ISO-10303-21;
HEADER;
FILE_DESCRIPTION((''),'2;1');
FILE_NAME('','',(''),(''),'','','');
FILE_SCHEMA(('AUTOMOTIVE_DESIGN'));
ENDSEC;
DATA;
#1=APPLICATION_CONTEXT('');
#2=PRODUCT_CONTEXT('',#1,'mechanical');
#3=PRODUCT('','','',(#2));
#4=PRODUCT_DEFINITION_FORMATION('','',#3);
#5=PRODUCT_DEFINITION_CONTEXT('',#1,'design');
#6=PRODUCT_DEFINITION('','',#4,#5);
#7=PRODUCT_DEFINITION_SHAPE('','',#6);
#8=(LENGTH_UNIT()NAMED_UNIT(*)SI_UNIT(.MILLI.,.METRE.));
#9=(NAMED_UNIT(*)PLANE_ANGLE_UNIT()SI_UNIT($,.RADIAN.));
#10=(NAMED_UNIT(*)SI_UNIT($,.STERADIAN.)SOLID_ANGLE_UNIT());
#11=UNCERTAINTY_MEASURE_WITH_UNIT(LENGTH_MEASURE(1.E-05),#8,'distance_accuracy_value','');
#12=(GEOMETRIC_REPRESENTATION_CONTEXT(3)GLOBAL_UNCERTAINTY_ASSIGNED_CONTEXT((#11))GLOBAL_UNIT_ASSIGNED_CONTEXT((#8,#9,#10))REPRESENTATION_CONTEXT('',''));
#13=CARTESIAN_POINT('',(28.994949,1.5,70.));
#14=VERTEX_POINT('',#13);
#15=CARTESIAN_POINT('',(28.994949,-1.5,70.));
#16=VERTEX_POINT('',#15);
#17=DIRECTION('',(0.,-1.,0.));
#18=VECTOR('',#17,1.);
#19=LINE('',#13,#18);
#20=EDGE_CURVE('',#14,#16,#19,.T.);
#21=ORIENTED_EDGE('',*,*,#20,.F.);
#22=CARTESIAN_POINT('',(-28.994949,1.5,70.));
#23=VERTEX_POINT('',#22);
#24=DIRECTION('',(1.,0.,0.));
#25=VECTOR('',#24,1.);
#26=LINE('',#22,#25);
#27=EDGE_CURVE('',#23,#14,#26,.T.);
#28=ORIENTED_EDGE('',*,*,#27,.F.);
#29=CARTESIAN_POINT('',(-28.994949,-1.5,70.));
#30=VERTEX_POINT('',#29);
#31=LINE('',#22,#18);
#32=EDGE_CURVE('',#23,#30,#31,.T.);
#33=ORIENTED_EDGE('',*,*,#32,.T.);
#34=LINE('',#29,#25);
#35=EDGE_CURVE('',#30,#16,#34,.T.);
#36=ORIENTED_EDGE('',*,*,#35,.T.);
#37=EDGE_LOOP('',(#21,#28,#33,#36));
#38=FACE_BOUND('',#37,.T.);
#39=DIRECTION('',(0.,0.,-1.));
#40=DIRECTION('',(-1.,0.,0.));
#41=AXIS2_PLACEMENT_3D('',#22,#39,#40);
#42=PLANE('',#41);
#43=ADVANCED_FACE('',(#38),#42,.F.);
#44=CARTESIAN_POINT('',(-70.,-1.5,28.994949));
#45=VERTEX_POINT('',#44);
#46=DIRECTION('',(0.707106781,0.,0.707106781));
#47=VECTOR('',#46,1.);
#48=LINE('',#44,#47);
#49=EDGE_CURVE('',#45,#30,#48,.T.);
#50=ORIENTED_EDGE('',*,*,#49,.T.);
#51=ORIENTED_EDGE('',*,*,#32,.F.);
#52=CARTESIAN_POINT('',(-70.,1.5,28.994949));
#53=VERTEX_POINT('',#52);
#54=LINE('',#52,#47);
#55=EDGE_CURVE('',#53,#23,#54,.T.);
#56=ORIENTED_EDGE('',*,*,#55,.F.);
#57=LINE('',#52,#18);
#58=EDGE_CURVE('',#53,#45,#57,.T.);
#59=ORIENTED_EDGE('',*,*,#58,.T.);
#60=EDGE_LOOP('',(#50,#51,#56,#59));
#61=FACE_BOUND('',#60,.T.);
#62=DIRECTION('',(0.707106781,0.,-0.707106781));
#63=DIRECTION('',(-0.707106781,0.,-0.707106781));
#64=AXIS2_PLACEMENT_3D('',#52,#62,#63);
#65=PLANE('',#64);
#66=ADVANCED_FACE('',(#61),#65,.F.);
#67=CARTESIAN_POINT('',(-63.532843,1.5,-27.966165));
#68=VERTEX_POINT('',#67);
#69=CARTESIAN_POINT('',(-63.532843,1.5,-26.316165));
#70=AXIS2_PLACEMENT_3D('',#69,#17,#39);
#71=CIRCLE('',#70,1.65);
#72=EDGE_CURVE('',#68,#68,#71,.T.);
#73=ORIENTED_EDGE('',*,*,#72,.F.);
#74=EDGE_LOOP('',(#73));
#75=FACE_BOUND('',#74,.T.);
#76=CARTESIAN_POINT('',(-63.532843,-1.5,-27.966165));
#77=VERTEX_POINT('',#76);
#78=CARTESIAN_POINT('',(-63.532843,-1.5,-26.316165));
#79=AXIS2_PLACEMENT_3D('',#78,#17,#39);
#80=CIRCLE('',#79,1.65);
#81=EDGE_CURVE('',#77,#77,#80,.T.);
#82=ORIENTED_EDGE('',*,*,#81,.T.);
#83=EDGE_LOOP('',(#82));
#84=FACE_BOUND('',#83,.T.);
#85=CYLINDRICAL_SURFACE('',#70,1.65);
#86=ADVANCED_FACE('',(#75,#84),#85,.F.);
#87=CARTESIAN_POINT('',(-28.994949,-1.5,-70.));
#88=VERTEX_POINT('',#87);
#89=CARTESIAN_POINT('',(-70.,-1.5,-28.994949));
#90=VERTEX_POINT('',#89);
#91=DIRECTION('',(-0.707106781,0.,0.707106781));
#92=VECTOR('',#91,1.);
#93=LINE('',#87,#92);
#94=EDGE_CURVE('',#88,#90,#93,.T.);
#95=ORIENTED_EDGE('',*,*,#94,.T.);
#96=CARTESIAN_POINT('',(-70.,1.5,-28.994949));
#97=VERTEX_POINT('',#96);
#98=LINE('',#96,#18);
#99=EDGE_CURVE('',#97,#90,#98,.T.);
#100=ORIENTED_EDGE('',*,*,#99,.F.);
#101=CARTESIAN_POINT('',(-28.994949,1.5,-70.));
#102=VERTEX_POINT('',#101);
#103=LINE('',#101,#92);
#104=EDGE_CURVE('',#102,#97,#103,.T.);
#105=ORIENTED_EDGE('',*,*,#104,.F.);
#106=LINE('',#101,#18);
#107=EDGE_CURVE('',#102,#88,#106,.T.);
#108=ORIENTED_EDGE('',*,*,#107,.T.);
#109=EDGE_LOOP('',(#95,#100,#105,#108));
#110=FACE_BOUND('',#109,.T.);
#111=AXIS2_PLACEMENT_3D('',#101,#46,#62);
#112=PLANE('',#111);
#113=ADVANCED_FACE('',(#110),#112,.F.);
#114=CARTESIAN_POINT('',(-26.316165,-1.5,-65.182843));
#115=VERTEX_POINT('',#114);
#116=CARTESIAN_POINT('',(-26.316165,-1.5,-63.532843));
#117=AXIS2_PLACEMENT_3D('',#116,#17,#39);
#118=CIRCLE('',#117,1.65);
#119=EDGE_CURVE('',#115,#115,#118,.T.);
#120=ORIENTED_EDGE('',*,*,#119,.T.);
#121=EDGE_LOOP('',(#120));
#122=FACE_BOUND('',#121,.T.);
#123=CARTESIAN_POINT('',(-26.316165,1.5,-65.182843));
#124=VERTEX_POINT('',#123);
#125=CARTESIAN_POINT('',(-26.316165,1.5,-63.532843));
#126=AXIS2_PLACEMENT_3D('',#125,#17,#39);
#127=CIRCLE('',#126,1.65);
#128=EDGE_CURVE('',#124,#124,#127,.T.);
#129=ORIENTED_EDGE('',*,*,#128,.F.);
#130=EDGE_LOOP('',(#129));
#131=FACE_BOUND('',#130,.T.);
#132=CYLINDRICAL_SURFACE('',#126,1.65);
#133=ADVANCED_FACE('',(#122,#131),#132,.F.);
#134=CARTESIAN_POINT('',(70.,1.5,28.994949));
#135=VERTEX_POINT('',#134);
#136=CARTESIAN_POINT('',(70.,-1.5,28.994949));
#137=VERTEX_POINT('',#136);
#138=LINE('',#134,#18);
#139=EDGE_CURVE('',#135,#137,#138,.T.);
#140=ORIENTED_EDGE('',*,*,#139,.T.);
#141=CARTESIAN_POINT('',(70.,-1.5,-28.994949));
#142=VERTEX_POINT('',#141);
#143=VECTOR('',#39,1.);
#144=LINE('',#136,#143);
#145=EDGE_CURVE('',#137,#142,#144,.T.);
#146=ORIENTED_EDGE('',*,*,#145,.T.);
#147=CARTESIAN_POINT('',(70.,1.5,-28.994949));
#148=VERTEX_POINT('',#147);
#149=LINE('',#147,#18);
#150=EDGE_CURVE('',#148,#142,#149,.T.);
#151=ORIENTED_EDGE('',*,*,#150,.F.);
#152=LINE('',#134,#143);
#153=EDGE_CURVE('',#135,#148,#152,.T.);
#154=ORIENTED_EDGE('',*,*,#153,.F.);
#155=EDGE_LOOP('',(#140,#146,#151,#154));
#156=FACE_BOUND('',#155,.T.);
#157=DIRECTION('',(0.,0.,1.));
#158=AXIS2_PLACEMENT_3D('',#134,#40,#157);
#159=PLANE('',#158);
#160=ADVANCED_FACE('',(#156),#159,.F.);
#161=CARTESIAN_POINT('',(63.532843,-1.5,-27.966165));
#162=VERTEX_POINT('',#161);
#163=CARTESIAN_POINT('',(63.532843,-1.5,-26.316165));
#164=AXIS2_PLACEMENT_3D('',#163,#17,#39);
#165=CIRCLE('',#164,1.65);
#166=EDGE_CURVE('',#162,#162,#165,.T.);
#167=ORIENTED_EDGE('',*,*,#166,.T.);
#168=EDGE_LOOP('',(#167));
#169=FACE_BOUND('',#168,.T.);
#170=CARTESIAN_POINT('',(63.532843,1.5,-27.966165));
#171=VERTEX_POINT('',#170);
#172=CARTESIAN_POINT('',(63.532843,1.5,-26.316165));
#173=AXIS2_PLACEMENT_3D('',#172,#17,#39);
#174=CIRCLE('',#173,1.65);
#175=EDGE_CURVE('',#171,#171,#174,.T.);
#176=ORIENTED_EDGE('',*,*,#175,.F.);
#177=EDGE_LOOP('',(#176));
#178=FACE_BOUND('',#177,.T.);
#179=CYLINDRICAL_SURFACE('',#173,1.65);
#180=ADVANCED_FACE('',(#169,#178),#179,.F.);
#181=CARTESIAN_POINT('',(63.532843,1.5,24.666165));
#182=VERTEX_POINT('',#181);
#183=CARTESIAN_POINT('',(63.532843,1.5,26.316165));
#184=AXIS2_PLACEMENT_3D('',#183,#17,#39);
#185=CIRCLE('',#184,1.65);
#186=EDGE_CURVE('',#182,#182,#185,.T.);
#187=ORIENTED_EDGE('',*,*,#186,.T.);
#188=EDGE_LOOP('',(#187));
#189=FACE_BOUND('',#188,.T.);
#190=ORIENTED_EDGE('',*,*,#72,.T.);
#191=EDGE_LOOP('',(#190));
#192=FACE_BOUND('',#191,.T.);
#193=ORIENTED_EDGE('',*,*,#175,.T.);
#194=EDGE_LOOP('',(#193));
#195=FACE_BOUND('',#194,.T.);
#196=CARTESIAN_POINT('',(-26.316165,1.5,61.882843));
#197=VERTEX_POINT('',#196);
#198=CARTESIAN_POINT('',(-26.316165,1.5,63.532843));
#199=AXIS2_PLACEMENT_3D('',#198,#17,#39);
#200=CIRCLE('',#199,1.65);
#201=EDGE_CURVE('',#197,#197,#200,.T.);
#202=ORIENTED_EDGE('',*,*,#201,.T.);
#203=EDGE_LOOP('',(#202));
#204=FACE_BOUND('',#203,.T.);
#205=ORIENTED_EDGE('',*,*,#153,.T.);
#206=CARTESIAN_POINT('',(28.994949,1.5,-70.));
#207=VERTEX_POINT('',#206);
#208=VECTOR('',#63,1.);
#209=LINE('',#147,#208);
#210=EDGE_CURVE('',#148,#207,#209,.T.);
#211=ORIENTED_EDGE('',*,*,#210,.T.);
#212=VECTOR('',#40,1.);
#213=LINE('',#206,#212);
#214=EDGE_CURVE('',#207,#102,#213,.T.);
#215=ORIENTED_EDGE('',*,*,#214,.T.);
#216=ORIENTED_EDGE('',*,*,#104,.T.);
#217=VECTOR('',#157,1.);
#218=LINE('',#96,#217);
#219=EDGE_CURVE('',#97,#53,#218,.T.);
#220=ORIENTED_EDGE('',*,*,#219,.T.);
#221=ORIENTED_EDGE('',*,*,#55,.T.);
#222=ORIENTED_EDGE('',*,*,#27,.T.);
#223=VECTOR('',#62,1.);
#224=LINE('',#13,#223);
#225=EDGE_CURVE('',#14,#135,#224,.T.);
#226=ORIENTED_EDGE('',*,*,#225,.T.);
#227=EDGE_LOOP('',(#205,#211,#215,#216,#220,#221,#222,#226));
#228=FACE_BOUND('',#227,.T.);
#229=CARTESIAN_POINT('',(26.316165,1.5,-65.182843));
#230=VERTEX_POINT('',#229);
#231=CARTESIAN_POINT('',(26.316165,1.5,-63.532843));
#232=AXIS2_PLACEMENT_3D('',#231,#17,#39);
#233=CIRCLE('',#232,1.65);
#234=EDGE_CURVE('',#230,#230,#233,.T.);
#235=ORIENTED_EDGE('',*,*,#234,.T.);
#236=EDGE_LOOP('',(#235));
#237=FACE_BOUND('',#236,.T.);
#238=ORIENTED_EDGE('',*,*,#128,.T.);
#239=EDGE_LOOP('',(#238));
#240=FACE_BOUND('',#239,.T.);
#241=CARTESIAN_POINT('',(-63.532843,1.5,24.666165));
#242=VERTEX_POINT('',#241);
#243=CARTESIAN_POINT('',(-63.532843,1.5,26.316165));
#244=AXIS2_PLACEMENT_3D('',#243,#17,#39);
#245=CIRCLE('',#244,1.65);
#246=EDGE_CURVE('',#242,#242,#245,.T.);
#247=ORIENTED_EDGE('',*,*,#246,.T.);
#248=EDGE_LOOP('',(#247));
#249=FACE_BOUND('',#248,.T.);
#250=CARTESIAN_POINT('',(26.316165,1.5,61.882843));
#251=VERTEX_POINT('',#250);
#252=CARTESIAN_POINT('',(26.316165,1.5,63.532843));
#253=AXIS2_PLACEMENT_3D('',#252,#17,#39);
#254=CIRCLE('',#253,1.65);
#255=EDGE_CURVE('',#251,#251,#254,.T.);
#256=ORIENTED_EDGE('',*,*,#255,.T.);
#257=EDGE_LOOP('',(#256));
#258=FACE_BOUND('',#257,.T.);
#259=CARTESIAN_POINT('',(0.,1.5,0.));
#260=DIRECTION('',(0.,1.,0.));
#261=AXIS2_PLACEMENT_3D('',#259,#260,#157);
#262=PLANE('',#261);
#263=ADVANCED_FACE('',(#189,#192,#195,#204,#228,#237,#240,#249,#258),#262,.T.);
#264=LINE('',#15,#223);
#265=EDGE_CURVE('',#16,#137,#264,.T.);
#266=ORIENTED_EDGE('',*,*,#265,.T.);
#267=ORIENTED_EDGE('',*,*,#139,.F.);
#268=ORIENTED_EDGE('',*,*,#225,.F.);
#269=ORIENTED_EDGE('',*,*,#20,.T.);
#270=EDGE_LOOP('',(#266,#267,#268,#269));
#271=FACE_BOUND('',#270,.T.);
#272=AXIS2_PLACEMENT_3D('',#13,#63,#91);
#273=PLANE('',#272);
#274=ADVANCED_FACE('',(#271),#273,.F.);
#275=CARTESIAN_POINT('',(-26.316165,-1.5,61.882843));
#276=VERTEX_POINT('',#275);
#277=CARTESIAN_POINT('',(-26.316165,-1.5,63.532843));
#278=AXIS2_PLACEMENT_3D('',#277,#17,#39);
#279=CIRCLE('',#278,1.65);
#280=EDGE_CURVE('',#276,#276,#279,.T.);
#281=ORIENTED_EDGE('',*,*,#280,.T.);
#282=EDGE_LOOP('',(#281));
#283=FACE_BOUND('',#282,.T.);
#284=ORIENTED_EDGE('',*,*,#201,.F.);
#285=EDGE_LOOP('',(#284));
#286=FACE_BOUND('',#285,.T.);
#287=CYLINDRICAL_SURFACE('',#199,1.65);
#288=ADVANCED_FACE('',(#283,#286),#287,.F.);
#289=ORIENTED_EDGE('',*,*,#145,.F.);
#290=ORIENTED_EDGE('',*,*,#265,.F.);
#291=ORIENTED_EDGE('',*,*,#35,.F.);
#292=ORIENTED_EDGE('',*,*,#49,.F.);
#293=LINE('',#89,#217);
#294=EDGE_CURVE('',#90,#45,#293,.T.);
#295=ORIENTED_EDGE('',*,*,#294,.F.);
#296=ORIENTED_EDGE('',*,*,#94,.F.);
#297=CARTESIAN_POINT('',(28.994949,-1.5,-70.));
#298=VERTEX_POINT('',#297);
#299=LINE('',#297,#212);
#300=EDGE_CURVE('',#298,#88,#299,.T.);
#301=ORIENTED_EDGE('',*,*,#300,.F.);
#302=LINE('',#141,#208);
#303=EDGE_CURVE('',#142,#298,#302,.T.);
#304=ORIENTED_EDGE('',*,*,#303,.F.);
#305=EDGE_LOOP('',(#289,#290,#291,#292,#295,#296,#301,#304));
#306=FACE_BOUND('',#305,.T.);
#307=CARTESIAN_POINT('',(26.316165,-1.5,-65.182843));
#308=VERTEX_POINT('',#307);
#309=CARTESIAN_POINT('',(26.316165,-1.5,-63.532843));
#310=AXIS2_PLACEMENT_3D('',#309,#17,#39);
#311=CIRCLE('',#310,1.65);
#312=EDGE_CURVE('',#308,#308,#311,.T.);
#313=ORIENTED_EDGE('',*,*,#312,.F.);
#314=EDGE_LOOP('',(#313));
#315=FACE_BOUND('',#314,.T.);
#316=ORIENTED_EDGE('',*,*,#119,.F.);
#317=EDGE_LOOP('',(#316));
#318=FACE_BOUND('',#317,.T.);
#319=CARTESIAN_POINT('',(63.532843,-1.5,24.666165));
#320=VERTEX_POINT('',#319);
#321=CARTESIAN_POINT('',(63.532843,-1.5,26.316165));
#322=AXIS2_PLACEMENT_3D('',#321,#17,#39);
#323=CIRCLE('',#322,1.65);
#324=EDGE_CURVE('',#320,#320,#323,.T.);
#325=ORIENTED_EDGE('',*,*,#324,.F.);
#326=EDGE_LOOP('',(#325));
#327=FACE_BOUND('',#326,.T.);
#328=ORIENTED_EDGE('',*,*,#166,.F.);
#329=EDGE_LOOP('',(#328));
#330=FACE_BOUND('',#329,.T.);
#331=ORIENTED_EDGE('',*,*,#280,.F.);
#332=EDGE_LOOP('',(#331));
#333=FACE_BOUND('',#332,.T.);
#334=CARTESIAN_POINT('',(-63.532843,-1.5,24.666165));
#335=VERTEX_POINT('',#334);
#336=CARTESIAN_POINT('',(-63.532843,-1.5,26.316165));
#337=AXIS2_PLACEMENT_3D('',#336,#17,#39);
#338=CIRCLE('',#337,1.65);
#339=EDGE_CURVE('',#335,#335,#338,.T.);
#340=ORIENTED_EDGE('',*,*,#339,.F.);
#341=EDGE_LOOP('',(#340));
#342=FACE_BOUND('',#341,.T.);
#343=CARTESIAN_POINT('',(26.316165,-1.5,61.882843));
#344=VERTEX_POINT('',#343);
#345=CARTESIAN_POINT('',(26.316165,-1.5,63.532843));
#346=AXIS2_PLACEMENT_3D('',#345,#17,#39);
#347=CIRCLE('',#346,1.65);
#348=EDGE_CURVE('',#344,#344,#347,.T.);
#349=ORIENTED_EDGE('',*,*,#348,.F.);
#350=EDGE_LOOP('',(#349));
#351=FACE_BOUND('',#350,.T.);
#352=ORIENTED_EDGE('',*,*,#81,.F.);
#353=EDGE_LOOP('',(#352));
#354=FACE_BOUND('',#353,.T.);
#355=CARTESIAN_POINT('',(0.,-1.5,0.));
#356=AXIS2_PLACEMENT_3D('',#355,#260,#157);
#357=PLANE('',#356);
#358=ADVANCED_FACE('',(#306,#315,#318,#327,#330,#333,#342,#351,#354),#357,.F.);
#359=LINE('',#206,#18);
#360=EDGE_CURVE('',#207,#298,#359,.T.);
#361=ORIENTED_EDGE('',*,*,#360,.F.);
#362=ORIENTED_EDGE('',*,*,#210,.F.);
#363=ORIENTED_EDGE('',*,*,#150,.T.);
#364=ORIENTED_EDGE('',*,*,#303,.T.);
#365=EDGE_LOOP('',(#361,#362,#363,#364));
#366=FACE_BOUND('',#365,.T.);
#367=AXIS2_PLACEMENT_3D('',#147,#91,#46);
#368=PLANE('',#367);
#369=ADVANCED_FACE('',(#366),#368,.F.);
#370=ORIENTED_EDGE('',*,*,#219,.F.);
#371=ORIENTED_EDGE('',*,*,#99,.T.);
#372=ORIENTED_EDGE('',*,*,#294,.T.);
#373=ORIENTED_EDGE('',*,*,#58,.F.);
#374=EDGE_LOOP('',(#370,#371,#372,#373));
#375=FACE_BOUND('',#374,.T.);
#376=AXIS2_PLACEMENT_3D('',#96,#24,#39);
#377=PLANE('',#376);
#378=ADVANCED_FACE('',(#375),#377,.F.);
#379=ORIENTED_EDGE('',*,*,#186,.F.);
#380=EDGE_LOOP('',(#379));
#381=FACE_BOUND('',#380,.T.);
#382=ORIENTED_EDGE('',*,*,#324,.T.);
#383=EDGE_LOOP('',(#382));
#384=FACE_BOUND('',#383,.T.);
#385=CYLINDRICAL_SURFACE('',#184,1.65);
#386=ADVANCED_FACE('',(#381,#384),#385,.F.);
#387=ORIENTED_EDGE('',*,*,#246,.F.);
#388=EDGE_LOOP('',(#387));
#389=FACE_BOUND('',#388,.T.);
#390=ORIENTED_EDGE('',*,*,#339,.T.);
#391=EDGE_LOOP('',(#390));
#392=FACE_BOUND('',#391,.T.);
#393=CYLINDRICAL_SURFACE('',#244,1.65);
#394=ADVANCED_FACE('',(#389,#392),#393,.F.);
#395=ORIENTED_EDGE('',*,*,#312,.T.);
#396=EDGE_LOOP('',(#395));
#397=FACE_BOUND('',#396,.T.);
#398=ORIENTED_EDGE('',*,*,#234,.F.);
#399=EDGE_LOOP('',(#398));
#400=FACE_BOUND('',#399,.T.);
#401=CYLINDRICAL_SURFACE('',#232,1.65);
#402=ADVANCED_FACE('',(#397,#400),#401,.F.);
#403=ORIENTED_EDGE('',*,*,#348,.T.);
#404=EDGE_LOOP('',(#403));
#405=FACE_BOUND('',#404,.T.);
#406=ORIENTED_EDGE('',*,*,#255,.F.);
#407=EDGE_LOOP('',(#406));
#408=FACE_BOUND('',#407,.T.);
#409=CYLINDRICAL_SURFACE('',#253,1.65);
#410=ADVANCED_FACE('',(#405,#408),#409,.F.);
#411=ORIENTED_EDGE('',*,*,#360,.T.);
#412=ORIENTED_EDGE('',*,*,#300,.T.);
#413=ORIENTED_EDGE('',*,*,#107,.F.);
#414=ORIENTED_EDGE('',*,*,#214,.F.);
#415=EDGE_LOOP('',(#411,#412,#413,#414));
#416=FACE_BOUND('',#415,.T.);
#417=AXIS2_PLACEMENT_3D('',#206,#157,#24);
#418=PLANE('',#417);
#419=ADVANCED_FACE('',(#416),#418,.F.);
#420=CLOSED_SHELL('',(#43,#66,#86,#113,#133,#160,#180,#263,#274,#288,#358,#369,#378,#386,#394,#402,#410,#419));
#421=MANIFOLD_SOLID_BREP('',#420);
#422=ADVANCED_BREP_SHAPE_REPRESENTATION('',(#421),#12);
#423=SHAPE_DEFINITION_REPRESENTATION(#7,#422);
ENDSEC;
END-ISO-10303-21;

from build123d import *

# Parameters (mm, degrees)
RESSALTO_EXTRUS_O1_DEPTH = 1.5
ESBO_O2_R                = 1.65
CORTE_EXTRUS_O1_DEPTH    = 100.040395799


with BuildPart() as part:
    # Esboço1 → Ressalto-extrusão1 (new, symmetric)
    with BuildSketch(Plane(origin=(0, 0, 0), x_dir=(1, 0, 0), z_dir=(0, 1, 0))):
        Polygon((70, 28.994949366), (28.994949366, 70), (-28.994949366, 70), (-70, 28.994949366), (-70, -28.994949366), (-28.994949366, -70), (28.994949366, -70), (70, -28.994949366), align=None)
    extrude(amount=RESSALTO_EXTRUS_O1_DEPTH, both=True)

    # Esboço2 → Corte-extrusão1 (cut, through all)
    with BuildSketch(Plane.XZ.offset(1.5)):
        with Locations(Location((-26.31616534, 63.532843272, 0), (0, 0, 270))):
            Circle(ESBO_O2_R)
        with Locations(Location((26.31616534, 63.532843272, 0), (0, 0, 270))):
            Circle(ESBO_O2_R)
        with Locations(Location((63.532843272, 26.31616534, 0), (0, 0, 270))):
            Circle(ESBO_O2_R)
        with Locations(Location((63.532843272, -26.31616534, 0), (0, 0, 270))):
            Circle(ESBO_O2_R)
        with Locations(Location((26.31616534, -63.532843272, 0), (0, 0, 270))):
            Circle(ESBO_O2_R)
        with Locations(Location((-26.31616534, -63.532843272, 0), (0, 0, 270))):
            Circle(ESBO_O2_R)
        with Locations(Location((-63.532843272, 26.31616534, 0), (0, 0, 270))):
            Circle(ESBO_O2_R)
        with Locations(Location((-63.532843272, -26.31616534, 0), (0, 0, 270))):
            Circle(ESBO_O2_R)
    extrude(amount=-CORTE_EXTRUS_O1_DEPTH, mode=Mode.SUBTRACT)


solid = part.part
